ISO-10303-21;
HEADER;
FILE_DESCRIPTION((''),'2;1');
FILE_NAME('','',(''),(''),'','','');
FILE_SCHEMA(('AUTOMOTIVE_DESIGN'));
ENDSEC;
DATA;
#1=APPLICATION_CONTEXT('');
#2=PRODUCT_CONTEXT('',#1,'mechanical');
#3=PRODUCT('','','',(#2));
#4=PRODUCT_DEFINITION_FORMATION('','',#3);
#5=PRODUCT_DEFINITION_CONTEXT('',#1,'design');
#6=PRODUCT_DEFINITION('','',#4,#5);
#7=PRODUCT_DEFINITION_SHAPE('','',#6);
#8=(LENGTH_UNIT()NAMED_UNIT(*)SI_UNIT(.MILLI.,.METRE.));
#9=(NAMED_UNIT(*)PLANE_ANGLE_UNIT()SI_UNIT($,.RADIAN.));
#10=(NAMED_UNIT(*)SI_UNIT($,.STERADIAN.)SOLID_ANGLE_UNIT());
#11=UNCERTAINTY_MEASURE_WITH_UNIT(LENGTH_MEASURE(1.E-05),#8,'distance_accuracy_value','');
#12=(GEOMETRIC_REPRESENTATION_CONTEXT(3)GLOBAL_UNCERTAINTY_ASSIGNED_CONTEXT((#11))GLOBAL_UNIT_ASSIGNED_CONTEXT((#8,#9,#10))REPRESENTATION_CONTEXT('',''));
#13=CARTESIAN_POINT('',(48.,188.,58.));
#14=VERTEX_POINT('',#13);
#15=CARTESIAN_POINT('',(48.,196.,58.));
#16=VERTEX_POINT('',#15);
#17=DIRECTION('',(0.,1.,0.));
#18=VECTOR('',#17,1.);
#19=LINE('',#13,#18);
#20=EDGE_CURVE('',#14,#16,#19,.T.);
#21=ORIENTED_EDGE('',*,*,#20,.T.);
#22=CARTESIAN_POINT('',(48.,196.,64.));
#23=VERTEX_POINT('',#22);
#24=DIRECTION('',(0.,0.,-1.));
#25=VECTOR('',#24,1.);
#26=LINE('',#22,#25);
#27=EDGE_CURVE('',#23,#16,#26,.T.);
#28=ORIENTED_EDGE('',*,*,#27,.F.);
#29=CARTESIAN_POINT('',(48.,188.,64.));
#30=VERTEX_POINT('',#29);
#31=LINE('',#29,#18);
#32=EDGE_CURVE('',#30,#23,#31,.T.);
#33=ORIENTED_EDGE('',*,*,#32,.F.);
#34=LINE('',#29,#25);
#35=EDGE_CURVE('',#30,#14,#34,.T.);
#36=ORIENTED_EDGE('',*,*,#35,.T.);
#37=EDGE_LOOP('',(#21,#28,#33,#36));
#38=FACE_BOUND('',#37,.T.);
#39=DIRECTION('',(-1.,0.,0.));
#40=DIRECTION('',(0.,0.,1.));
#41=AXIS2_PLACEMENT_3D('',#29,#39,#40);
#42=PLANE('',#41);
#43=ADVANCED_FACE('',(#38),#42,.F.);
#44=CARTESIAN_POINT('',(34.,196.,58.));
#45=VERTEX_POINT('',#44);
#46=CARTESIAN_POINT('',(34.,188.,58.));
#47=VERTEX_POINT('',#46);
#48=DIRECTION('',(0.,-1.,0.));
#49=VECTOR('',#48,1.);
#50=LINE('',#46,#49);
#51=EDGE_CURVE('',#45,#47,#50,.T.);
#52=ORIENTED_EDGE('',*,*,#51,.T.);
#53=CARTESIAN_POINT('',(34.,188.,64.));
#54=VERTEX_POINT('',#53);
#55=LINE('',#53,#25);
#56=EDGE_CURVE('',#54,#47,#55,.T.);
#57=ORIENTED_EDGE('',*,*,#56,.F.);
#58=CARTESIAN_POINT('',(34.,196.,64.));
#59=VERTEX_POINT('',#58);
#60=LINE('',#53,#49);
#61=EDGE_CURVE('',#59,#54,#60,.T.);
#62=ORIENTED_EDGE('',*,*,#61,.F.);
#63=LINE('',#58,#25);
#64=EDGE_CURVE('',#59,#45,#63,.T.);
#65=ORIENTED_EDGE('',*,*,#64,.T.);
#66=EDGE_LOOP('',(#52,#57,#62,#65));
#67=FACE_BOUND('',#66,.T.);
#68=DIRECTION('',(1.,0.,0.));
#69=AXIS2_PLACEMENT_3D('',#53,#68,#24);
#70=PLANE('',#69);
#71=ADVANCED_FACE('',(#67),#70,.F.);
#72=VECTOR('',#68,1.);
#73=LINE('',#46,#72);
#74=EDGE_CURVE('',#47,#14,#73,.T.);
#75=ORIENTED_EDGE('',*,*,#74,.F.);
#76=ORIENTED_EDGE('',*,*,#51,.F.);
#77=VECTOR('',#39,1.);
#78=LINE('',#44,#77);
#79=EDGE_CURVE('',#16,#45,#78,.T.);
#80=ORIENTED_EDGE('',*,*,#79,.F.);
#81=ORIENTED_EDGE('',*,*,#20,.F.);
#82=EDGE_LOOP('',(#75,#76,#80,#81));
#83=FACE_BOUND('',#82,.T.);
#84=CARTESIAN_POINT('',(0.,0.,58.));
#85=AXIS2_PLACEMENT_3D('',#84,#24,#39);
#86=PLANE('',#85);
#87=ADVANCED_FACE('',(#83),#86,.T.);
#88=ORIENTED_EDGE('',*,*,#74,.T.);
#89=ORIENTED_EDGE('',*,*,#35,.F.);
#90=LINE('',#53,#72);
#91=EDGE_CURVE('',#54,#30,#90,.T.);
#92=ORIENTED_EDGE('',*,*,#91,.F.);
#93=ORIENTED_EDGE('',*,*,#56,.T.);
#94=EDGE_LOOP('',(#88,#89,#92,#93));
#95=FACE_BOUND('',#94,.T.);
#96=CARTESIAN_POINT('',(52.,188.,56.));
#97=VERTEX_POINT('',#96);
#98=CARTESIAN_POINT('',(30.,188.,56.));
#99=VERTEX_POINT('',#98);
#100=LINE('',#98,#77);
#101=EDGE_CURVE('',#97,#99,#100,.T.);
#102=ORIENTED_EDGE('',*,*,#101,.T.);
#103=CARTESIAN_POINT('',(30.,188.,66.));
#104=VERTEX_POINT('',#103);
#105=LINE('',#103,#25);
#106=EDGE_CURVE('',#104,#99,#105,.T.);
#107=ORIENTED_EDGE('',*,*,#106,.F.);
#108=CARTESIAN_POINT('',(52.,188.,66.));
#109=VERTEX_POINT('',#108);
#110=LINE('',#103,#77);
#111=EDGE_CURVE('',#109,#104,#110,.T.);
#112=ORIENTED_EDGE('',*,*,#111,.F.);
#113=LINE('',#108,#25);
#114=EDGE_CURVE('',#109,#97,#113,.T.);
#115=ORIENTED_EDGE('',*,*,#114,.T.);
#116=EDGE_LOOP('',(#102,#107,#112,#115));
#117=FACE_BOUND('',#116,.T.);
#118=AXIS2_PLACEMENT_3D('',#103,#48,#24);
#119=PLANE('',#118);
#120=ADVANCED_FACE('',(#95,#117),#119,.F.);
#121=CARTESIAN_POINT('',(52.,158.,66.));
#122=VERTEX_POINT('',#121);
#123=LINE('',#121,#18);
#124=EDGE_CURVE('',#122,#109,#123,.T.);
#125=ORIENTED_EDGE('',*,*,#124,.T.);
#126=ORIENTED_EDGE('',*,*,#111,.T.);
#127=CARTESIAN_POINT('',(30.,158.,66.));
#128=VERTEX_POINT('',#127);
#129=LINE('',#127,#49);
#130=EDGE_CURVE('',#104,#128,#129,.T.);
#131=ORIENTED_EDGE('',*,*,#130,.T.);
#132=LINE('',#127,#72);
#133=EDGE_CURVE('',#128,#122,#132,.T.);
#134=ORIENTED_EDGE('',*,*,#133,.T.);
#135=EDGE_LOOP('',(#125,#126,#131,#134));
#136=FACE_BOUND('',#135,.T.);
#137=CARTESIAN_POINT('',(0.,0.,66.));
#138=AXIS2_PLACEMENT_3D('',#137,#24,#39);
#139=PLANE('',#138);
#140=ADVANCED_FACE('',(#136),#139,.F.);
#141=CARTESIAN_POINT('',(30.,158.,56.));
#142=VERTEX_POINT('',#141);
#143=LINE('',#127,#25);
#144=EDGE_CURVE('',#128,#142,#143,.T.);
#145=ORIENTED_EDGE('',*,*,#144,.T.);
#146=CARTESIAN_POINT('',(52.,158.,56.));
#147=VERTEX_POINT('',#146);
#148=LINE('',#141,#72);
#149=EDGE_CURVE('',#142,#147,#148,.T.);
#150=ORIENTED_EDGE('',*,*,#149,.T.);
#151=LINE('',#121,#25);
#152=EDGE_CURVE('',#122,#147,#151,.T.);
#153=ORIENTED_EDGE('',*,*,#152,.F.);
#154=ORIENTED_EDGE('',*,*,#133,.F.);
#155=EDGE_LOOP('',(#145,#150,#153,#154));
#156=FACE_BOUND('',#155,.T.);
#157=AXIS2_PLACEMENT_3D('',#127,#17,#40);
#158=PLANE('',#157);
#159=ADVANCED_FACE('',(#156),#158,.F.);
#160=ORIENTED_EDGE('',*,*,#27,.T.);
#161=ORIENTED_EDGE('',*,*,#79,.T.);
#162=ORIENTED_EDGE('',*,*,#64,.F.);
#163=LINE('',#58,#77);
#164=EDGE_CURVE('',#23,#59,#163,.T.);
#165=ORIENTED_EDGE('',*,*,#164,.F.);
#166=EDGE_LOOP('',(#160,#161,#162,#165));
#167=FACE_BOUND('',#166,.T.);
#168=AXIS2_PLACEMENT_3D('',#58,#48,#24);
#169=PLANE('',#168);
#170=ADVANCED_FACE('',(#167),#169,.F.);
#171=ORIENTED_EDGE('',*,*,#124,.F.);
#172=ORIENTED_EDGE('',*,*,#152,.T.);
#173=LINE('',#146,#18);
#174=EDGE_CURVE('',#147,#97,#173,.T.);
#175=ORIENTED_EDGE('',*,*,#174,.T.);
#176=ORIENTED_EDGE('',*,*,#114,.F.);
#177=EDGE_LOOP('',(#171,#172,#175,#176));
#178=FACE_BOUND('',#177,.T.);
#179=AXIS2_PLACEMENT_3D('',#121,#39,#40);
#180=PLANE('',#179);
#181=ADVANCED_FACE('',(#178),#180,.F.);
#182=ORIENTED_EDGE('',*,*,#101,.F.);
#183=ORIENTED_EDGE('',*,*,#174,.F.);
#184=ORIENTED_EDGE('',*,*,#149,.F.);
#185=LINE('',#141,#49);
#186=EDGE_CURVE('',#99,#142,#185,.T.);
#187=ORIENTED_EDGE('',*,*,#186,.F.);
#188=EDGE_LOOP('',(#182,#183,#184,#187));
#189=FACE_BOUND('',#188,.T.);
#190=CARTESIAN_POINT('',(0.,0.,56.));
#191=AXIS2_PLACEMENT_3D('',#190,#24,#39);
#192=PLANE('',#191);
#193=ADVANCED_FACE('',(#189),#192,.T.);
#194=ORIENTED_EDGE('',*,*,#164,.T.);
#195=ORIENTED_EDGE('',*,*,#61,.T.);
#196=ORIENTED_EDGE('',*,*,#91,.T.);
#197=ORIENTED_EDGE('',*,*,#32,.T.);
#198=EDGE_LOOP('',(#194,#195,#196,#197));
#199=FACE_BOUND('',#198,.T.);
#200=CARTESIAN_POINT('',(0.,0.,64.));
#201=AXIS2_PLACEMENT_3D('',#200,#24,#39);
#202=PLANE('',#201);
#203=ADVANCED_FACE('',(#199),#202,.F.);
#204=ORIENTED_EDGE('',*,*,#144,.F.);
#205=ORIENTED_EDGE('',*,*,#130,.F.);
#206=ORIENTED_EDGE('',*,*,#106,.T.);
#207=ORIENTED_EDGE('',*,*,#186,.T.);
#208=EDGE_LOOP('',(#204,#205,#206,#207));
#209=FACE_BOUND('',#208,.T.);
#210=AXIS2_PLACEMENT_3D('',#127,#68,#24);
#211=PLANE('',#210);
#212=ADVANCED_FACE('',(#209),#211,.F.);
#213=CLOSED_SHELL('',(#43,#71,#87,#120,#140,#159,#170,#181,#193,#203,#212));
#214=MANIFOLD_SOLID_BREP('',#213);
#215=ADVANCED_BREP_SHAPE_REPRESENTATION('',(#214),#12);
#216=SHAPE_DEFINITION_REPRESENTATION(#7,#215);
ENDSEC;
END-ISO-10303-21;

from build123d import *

# Parameters (mm, degrees)
BOSS_EXTRUDE1_START = 56
SKETCH1_W           = 22
SKETCH1_H           = 30
BOSS_EXTRUDE1_DEPTH = 10
BOSS_EXTRUDE2_START = 58
SKETCH2_W           = 14
SKETCH2_H           = 8
BOSS_EXTRUDE2_DEPTH = 6


with BuildPart() as part:
    # Sketch1 → Boss-Extrude1 (new body)
    with BuildSketch(Plane.XY.offset(BOSS_EXTRUDE1_START)):
        with Locations((41, 173)):
            Rectangle(SKETCH1_W, SKETCH1_H)
    extrude(amount=BOSS_EXTRUDE1_DEPTH)

    # Sketch2 → Boss-Extrude2 (add)
    with BuildSketch(Plane.XY.offset(BOSS_EXTRUDE2_START)):
        with Locations((41, 192)):
            Rectangle(SKETCH2_W, SKETCH2_H)
    extrude(amount=BOSS_EXTRUDE2_DEPTH)


solid = part.part
